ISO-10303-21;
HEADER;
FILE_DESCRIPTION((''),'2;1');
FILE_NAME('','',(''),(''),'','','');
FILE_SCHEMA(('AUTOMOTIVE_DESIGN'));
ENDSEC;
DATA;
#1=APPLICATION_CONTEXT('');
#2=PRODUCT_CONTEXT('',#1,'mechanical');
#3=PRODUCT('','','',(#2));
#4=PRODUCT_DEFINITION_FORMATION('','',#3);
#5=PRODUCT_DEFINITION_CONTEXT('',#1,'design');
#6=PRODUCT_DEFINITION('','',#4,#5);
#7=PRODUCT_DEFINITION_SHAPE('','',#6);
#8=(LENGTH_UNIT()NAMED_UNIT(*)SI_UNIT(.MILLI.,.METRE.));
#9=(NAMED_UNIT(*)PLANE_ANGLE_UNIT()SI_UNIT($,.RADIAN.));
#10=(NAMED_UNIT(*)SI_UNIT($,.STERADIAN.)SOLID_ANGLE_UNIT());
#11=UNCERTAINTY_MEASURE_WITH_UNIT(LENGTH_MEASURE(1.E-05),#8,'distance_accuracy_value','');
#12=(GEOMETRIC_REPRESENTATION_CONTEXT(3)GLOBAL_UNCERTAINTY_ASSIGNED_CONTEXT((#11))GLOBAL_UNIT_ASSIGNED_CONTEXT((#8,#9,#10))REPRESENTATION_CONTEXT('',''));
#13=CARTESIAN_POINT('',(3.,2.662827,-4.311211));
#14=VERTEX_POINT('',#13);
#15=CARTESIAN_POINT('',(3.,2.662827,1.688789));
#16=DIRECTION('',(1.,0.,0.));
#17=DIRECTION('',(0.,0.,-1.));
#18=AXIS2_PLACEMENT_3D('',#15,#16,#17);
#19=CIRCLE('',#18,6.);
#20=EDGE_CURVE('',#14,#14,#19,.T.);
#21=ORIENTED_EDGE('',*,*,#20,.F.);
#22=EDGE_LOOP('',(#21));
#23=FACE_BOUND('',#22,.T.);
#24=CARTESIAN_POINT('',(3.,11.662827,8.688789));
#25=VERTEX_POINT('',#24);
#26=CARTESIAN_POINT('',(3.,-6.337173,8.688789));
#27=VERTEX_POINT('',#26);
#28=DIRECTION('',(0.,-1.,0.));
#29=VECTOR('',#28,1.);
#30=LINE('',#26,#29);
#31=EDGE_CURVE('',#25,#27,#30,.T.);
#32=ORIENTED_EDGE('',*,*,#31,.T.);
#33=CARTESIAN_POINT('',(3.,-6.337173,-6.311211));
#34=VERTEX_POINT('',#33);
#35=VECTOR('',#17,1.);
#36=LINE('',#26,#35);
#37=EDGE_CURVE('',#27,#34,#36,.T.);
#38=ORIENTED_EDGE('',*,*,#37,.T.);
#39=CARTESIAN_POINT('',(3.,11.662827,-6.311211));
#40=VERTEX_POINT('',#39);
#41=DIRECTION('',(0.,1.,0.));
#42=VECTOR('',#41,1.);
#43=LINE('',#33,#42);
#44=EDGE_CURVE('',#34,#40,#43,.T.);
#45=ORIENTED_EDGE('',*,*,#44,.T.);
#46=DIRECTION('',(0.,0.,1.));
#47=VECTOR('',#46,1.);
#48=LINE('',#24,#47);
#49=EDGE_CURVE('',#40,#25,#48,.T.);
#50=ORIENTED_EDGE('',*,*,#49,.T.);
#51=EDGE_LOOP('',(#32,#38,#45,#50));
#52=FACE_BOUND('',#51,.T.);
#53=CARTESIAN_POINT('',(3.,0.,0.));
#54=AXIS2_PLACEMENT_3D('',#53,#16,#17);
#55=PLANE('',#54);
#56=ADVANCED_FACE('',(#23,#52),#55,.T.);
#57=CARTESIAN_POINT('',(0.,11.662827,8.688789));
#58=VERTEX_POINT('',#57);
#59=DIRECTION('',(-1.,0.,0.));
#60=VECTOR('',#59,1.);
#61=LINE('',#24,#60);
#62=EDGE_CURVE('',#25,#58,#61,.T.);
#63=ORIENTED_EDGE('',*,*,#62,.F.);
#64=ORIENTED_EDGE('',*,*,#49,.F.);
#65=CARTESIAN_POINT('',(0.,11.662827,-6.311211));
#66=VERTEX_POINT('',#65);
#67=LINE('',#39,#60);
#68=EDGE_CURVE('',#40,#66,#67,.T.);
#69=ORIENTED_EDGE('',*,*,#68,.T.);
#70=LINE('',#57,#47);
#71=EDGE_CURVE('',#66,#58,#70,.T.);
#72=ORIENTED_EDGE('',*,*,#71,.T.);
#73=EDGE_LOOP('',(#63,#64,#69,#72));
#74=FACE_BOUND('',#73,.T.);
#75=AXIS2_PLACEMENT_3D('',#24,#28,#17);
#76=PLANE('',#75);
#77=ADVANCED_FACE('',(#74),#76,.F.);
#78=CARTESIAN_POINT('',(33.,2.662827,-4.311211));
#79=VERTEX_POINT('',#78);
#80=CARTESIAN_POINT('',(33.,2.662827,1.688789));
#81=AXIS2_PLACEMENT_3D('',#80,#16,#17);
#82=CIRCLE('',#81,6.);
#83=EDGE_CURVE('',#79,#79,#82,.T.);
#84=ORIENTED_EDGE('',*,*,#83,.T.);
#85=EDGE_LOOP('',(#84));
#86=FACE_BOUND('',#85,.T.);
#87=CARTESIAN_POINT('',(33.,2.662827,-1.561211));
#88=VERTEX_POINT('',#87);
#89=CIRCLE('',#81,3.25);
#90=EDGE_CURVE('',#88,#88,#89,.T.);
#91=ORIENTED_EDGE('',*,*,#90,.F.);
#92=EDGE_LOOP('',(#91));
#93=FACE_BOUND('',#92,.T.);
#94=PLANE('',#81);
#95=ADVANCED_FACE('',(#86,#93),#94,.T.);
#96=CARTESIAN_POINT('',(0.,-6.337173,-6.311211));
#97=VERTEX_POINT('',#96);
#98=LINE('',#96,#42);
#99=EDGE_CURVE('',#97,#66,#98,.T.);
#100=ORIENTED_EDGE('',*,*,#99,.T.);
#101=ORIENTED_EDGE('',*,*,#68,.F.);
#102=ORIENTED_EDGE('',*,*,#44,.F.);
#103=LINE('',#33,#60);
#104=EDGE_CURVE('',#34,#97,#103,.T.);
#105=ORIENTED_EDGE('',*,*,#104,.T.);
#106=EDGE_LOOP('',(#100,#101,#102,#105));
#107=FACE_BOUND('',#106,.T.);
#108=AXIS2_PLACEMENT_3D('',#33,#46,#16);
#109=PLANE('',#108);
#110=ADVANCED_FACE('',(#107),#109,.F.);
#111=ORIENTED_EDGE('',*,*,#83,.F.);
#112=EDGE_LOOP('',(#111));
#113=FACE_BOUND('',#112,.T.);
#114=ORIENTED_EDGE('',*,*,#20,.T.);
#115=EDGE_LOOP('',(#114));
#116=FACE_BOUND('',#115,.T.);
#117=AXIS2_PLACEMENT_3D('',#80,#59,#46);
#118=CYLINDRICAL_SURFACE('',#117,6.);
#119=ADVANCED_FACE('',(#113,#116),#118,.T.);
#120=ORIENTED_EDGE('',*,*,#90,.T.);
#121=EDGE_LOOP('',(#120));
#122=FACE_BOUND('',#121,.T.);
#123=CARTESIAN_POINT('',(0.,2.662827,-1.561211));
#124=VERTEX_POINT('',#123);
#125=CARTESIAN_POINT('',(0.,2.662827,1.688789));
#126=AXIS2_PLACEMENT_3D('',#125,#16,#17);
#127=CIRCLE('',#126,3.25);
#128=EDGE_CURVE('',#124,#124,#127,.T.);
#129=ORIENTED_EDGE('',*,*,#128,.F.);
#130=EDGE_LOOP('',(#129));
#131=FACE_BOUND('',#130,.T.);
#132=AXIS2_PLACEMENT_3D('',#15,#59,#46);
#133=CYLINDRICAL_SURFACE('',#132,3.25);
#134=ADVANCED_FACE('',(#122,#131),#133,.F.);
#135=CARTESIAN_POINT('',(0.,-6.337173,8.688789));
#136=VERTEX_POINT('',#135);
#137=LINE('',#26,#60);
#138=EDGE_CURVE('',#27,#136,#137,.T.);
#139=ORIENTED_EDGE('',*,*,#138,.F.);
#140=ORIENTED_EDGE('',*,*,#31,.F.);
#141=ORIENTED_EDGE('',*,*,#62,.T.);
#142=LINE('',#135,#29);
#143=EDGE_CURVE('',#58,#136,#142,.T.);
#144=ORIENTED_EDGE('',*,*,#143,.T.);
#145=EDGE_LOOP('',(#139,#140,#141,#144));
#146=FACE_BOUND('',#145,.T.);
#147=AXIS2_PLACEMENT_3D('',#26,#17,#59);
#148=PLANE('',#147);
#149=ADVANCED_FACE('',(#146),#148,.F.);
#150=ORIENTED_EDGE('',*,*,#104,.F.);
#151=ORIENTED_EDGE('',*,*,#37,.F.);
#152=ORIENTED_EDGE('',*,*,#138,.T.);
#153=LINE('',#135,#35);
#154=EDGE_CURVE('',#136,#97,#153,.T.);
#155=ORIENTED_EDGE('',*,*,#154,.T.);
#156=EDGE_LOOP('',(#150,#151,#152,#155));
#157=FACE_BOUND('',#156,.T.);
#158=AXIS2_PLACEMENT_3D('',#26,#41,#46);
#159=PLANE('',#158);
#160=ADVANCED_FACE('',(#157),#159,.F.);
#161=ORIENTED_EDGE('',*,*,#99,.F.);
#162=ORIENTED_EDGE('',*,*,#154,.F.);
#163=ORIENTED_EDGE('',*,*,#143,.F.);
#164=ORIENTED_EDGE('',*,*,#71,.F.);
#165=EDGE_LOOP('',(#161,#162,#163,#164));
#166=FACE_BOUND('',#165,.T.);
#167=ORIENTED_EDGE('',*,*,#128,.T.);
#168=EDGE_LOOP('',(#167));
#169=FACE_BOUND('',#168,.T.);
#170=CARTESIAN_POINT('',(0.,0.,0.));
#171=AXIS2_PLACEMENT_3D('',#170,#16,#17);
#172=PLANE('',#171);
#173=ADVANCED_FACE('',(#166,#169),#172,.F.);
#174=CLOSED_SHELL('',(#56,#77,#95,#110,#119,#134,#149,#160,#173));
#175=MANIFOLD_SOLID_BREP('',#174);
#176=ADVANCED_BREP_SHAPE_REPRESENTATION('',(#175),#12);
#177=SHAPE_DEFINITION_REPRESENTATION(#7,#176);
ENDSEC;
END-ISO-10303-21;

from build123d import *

# Parameters (mm, degrees)
SKETCH1_W           = 18
SKETCH1_H           = 15
SKETCH1_R           = 3.25
BOSS_EXTRUDE1_DEPTH = 3
SKETCH2_R           = 6
SKETCH2_R_2         = 3.25
BOSS_EXTRUDE2_DEPTH = 30


with BuildPart() as part:
    # Sketch1 → Boss-Extrude1 (new body)
    with BuildSketch(Plane.YZ):
        with Locations((2.662827036, 1.188789176)):
            Rectangle(SKETCH1_W, SKETCH1_H)
        with Locations(Location((2.662827036, 1.688789176, 0), (0, 0, 270))):
            Circle(SKETCH1_R, mode=Mode.SUBTRACT)
    extrude(amount=BOSS_EXTRUDE1_DEPTH)

    # Sketch2 → Boss-Extrude2 (add)
    with BuildSketch(Plane.YZ.offset(3)):
        with Locations(Location((2.662827036, 1.688789176, 0), (0, 0, 270))):
            Circle(SKETCH2_R)
        with Locations(Location((2.662827036, 1.688789176, 0), (0, 0, 270))):
            Circle(SKETCH2_R_2, mode=Mode.SUBTRACT)
    extrude(amount=BOSS_EXTRUDE2_DEPTH)


solid = part.part
